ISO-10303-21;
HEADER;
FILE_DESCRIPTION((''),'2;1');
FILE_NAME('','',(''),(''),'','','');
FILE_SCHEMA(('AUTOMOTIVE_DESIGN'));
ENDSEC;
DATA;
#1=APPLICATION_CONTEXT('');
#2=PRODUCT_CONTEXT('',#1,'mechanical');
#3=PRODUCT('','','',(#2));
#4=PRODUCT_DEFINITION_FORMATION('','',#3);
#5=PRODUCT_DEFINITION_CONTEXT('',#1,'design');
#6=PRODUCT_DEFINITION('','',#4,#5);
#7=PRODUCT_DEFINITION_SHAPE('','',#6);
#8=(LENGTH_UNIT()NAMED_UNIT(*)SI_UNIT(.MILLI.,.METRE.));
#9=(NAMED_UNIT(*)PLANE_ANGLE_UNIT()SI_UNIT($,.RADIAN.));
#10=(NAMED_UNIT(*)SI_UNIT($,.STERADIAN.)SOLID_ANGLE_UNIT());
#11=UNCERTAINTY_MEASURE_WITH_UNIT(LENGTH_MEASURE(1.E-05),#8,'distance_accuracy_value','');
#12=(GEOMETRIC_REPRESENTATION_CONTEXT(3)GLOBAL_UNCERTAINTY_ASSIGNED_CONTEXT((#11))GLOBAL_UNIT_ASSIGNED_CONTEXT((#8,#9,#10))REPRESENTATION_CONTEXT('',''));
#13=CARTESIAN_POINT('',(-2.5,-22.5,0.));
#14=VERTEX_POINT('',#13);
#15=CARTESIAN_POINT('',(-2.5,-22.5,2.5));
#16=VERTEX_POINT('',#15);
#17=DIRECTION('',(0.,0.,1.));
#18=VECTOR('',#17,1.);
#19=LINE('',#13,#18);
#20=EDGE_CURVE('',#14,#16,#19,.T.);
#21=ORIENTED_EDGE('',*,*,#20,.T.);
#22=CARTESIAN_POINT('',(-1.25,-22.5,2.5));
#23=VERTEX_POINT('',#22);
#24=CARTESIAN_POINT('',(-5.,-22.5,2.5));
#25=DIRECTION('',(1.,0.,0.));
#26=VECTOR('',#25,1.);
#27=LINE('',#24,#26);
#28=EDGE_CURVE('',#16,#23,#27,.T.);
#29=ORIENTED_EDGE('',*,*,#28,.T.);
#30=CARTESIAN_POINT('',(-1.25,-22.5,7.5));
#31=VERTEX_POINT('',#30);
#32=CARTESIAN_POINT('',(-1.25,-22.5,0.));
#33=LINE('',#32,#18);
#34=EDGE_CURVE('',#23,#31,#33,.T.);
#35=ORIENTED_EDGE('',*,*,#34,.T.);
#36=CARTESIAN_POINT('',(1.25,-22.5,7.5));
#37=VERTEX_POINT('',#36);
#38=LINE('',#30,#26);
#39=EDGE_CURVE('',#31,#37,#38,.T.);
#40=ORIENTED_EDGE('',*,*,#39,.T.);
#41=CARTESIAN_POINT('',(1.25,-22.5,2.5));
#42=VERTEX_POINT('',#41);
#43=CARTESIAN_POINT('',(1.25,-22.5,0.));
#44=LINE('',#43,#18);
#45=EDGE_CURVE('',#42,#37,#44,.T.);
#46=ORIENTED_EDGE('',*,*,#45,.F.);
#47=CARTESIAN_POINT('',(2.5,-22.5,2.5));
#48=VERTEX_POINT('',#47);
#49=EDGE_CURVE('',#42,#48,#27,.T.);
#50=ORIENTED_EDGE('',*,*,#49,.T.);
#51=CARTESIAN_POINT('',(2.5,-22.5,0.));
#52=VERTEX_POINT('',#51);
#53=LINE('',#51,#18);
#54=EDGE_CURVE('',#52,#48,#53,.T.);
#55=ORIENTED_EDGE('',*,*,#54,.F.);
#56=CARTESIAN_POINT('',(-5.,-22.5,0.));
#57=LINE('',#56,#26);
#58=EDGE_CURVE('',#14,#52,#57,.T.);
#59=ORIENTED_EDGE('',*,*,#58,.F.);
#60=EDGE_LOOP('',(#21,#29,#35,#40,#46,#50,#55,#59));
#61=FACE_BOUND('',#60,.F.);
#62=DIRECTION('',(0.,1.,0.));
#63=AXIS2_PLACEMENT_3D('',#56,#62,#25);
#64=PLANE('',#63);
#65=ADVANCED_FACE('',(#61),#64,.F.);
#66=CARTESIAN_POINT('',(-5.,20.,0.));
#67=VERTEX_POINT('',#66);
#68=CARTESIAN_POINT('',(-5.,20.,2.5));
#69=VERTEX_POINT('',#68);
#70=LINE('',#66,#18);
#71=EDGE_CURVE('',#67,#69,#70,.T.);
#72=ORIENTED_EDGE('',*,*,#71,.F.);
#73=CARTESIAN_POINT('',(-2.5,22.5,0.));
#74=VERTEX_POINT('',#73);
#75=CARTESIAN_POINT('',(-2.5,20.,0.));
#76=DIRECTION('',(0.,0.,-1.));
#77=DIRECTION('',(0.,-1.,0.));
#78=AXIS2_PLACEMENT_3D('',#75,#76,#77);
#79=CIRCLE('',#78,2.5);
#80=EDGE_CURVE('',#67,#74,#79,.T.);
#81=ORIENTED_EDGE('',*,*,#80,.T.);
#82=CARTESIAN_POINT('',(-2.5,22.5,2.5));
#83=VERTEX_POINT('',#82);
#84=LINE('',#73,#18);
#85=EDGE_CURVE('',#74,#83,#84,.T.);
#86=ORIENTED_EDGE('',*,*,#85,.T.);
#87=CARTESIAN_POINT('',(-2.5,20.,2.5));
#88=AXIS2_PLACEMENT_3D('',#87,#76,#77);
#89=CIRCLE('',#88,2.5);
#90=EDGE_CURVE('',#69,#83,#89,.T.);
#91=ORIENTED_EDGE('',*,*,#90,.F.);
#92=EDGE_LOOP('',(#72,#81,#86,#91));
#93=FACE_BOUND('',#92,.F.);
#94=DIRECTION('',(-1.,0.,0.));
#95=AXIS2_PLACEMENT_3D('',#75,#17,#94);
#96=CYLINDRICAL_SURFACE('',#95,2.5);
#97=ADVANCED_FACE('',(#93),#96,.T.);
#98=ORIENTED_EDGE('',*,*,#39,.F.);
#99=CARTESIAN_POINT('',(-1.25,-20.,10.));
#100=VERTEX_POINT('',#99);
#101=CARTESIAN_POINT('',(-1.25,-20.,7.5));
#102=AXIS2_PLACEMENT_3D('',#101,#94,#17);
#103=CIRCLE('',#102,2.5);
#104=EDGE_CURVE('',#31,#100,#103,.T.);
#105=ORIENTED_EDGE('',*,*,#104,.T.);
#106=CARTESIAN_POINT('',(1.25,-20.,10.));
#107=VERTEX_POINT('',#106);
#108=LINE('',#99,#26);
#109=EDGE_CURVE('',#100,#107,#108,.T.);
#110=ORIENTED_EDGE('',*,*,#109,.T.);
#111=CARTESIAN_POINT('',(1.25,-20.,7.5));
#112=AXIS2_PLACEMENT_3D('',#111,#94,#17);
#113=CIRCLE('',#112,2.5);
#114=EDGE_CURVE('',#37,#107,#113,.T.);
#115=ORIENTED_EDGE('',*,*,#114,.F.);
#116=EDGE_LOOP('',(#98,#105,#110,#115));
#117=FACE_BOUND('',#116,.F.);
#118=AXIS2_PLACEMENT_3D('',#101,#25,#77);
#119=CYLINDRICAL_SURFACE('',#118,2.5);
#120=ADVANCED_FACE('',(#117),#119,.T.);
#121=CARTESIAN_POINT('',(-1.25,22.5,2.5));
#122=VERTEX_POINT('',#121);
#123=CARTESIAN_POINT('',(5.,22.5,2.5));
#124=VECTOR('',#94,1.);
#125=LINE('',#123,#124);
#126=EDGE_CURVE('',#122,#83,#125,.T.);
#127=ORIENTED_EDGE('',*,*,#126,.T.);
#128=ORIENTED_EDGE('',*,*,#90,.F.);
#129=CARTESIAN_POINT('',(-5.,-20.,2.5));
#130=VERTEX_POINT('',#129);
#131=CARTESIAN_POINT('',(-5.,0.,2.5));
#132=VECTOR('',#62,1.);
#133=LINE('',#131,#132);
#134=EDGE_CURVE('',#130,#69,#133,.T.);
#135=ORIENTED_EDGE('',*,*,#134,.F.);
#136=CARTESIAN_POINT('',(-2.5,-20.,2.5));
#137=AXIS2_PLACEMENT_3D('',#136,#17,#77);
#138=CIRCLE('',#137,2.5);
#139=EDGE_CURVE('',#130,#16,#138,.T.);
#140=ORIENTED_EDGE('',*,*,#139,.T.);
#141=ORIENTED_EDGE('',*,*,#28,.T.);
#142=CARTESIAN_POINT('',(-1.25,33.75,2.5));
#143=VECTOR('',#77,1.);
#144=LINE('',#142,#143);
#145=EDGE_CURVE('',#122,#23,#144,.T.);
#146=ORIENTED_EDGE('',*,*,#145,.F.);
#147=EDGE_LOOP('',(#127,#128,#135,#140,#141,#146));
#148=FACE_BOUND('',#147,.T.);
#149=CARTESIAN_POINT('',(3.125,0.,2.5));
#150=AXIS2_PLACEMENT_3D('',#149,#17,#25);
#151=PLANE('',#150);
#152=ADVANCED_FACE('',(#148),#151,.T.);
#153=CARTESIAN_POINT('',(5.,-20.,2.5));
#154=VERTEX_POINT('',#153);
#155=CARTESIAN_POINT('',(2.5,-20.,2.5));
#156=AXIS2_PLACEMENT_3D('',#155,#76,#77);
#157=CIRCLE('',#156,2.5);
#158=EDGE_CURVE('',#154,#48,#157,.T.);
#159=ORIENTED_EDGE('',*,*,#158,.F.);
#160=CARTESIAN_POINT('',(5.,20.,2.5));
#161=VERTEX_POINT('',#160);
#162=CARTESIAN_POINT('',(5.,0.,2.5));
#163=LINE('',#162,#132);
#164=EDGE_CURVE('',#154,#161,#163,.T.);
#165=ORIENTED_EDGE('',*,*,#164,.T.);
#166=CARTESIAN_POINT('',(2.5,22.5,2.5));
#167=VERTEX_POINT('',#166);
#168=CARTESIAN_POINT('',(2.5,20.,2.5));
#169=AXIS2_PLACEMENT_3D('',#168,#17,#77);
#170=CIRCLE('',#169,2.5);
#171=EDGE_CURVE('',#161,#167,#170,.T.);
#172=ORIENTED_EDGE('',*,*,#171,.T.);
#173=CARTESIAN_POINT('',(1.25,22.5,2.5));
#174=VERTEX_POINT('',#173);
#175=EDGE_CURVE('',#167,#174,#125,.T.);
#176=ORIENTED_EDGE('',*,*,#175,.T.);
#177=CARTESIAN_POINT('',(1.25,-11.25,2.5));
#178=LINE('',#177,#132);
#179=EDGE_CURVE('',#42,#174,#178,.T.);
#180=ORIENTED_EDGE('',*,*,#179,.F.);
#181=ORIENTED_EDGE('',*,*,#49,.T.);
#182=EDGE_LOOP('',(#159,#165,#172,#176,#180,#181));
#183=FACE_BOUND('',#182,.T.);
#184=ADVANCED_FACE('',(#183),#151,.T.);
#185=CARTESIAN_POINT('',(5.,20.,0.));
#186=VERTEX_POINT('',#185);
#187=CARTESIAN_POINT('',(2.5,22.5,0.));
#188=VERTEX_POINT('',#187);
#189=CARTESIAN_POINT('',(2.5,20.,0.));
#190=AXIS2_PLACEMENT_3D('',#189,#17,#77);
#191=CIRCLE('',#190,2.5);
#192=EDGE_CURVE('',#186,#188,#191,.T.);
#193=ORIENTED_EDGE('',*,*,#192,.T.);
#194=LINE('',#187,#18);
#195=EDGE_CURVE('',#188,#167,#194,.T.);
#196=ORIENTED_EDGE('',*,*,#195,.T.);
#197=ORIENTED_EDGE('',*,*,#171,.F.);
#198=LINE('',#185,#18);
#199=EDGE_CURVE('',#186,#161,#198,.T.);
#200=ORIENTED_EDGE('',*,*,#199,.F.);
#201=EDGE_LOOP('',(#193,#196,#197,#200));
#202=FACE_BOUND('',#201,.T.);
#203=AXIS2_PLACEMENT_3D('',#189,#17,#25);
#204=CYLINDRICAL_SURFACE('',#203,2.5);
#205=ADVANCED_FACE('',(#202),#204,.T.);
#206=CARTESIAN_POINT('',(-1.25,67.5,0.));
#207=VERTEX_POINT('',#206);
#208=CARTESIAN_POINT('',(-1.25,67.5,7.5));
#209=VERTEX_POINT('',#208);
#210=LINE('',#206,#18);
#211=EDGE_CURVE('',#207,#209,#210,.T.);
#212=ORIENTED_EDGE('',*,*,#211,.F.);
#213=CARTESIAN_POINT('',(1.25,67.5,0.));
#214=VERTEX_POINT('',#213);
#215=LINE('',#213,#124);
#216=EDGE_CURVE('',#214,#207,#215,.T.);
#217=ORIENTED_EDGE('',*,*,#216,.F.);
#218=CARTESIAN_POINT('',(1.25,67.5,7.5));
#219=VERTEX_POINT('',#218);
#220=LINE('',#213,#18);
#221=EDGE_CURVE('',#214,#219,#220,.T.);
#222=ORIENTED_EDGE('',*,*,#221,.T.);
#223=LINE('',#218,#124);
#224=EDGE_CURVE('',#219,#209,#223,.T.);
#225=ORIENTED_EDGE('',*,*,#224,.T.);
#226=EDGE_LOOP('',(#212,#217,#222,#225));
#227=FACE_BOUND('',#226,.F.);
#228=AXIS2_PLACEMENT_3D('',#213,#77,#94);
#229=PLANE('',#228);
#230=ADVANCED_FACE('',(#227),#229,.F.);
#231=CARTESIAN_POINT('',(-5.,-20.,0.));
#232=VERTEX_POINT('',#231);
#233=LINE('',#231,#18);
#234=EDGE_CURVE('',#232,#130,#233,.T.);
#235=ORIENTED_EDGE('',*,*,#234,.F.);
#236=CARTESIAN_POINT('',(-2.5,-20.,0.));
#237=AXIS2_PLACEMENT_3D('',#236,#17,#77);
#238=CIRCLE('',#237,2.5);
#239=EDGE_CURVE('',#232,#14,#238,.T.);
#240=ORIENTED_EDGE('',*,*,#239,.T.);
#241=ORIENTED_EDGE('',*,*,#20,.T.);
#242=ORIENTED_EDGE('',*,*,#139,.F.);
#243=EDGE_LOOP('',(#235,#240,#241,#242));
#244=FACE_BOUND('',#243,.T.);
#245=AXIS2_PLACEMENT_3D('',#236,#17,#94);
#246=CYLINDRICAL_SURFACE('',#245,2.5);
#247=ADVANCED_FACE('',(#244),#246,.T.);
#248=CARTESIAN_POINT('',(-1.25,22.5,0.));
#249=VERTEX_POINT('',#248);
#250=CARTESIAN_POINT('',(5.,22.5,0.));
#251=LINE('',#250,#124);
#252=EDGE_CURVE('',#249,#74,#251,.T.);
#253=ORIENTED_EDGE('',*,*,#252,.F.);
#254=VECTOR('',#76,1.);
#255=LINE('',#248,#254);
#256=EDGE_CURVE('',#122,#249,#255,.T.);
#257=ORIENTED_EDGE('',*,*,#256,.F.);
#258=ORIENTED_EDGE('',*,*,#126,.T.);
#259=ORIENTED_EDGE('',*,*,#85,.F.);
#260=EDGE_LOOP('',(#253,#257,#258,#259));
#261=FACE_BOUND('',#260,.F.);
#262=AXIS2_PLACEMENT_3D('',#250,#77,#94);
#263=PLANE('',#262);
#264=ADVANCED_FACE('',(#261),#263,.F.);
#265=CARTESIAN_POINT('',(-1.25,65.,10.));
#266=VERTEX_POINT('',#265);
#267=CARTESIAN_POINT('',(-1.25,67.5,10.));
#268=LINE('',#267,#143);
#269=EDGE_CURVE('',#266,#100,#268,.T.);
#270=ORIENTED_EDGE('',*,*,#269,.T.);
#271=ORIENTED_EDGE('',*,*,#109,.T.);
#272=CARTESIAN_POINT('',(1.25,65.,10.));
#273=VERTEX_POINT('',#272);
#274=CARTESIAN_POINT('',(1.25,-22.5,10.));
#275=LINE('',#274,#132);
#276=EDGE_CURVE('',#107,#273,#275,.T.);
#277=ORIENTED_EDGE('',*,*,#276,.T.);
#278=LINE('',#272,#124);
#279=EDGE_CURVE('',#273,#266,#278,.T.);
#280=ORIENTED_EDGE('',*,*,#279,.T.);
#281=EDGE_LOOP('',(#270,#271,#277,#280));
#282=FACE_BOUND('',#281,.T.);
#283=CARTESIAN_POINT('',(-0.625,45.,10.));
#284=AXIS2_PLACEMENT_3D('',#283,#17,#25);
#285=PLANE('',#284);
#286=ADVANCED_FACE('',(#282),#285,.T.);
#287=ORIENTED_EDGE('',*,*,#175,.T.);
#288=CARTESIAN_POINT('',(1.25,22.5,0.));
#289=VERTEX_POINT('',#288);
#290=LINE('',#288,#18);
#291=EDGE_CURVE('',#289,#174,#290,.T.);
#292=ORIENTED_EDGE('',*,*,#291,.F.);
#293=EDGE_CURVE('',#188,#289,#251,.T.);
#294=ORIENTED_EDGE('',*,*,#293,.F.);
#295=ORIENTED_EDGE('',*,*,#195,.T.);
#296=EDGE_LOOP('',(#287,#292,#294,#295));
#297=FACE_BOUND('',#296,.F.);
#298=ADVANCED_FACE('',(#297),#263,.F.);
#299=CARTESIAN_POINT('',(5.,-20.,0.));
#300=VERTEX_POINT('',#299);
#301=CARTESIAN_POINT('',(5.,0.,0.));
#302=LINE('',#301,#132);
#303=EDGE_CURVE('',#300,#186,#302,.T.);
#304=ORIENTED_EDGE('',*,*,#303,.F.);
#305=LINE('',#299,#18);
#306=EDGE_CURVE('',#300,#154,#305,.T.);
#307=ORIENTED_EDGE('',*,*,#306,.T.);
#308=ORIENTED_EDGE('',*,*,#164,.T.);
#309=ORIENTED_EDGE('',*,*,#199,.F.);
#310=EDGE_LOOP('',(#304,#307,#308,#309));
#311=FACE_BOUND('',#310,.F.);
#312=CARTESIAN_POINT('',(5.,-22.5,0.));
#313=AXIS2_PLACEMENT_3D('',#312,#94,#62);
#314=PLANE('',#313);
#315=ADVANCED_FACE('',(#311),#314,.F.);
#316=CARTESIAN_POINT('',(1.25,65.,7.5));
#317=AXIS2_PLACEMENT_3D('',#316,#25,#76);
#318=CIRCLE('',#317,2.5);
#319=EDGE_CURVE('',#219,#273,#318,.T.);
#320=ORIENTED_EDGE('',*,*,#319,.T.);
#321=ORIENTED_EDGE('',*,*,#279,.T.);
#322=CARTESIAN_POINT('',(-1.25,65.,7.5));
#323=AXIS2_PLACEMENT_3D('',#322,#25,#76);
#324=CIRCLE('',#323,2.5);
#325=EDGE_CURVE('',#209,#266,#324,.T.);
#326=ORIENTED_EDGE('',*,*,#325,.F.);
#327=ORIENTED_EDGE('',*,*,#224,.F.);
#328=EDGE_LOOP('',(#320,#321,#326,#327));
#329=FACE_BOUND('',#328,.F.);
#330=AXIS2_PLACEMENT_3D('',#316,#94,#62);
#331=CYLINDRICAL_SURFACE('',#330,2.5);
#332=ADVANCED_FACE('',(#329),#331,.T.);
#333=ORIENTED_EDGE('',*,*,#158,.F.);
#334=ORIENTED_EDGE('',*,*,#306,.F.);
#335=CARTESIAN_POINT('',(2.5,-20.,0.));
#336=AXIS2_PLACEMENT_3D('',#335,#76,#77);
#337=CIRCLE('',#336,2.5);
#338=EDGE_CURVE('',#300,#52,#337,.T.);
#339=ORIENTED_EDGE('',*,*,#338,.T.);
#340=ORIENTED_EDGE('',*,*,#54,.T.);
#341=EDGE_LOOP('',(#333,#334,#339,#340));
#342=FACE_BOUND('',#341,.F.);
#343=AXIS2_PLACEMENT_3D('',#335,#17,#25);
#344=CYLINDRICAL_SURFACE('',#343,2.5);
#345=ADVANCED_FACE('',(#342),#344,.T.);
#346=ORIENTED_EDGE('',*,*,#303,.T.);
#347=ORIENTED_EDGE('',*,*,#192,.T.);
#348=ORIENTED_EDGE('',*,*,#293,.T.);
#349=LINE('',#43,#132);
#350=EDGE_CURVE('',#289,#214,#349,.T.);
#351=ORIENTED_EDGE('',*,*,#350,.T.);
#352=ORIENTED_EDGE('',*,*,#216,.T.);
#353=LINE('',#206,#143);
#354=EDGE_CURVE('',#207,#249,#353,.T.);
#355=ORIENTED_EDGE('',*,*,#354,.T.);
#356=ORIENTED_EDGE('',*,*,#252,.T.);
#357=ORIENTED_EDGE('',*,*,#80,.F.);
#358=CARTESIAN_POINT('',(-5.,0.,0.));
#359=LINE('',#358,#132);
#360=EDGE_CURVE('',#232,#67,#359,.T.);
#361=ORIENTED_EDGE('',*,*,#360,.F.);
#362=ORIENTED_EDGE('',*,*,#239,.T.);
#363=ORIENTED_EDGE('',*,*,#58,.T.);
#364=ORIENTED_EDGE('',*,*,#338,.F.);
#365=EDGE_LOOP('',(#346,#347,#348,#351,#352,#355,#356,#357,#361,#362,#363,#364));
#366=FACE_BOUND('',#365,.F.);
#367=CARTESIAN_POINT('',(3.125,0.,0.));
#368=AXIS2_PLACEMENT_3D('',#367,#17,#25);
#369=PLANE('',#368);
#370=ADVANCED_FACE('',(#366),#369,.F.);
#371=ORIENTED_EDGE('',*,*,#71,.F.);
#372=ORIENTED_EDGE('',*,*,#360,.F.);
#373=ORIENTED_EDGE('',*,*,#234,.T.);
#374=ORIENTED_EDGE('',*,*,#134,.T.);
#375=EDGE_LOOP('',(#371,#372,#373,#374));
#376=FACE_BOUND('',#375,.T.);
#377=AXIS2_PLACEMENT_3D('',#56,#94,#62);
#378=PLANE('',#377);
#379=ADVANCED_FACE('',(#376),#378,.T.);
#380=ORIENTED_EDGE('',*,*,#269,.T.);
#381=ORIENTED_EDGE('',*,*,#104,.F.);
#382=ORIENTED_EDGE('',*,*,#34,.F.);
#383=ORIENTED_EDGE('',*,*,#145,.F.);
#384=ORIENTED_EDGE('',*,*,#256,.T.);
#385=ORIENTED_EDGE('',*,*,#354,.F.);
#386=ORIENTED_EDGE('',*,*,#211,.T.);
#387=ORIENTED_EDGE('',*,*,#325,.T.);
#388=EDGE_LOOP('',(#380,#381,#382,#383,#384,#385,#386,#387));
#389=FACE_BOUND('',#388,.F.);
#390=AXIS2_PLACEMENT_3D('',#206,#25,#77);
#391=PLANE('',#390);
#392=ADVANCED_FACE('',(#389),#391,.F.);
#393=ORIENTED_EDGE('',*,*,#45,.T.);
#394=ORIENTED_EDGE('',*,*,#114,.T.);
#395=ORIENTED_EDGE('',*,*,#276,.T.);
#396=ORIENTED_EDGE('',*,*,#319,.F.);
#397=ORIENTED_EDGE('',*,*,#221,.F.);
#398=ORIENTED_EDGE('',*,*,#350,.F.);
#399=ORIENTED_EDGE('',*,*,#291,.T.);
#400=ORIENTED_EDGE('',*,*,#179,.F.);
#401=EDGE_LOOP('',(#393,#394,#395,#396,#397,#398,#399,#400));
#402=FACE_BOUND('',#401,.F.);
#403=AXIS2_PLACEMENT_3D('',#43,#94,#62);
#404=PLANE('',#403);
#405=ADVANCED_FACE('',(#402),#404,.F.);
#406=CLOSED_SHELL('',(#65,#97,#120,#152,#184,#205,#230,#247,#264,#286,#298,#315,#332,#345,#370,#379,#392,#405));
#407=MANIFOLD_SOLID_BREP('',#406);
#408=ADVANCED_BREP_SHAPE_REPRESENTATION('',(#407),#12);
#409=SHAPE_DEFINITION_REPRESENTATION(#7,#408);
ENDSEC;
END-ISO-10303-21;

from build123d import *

# Parameters (mm, degrees)
F0_W     = 1.25
F0_H     = 45
F1_DEPTH = 10
F0_W_2   = 3.75
F2_DEPTH = 2.5
F3_R     = 2.5
F4_R     = 2.5


with BuildPart() as f1:
    # F0 (on Top) → F1 (new body)
    with BuildSketch(Plane.XY):
        with Locations((-0.625, 45)):
            Rectangle(F0_W, F0_H)
        with Locations((0.625, 45)):
            Rectangle(F0_W, F0_H)
        with Locations((-0.625, 0)):
            Rectangle(F0_W, F0_H)
        with Locations((0.625, 0)):
            Rectangle(F0_W, F0_H)
    extrude(amount=F1_DEPTH)

    # F0 (on Top) → F2 (join)
    with BuildSketch(Plane.XY):
        with Locations((3.125, 0)):
            Rectangle(F0_W_2, F0_H)
        with Locations((-3.125, 0)):
            Rectangle(F0_W_2, F0_H)
        with Locations((0.625, 0)):
            Rectangle(F0_W, F0_H)
        with Locations((-0.625, 0)):
            Rectangle(F0_W, F0_H)
    extrude(amount=F2_DEPTH)

    # F3
    f3_edges = [f1.edges().sort_by_distance(p)[0] for p in [
        (5, 22.5, 1.25),
        (-5, 22.5, 1.25),
        (-5, -22.5, 1.25),
        (5, -22.5, 1.25),
    ]]
    fillet(f3_edges, radius=F3_R)

    # F4
    f4_edges = [f1.edges().sort_by_distance(p)[0] for p in [
        (0, -22.5, 10),
        (0, 67.5, 10),
    ]]
    fillet(f4_edges, radius=F4_R)


solid = f1.part
